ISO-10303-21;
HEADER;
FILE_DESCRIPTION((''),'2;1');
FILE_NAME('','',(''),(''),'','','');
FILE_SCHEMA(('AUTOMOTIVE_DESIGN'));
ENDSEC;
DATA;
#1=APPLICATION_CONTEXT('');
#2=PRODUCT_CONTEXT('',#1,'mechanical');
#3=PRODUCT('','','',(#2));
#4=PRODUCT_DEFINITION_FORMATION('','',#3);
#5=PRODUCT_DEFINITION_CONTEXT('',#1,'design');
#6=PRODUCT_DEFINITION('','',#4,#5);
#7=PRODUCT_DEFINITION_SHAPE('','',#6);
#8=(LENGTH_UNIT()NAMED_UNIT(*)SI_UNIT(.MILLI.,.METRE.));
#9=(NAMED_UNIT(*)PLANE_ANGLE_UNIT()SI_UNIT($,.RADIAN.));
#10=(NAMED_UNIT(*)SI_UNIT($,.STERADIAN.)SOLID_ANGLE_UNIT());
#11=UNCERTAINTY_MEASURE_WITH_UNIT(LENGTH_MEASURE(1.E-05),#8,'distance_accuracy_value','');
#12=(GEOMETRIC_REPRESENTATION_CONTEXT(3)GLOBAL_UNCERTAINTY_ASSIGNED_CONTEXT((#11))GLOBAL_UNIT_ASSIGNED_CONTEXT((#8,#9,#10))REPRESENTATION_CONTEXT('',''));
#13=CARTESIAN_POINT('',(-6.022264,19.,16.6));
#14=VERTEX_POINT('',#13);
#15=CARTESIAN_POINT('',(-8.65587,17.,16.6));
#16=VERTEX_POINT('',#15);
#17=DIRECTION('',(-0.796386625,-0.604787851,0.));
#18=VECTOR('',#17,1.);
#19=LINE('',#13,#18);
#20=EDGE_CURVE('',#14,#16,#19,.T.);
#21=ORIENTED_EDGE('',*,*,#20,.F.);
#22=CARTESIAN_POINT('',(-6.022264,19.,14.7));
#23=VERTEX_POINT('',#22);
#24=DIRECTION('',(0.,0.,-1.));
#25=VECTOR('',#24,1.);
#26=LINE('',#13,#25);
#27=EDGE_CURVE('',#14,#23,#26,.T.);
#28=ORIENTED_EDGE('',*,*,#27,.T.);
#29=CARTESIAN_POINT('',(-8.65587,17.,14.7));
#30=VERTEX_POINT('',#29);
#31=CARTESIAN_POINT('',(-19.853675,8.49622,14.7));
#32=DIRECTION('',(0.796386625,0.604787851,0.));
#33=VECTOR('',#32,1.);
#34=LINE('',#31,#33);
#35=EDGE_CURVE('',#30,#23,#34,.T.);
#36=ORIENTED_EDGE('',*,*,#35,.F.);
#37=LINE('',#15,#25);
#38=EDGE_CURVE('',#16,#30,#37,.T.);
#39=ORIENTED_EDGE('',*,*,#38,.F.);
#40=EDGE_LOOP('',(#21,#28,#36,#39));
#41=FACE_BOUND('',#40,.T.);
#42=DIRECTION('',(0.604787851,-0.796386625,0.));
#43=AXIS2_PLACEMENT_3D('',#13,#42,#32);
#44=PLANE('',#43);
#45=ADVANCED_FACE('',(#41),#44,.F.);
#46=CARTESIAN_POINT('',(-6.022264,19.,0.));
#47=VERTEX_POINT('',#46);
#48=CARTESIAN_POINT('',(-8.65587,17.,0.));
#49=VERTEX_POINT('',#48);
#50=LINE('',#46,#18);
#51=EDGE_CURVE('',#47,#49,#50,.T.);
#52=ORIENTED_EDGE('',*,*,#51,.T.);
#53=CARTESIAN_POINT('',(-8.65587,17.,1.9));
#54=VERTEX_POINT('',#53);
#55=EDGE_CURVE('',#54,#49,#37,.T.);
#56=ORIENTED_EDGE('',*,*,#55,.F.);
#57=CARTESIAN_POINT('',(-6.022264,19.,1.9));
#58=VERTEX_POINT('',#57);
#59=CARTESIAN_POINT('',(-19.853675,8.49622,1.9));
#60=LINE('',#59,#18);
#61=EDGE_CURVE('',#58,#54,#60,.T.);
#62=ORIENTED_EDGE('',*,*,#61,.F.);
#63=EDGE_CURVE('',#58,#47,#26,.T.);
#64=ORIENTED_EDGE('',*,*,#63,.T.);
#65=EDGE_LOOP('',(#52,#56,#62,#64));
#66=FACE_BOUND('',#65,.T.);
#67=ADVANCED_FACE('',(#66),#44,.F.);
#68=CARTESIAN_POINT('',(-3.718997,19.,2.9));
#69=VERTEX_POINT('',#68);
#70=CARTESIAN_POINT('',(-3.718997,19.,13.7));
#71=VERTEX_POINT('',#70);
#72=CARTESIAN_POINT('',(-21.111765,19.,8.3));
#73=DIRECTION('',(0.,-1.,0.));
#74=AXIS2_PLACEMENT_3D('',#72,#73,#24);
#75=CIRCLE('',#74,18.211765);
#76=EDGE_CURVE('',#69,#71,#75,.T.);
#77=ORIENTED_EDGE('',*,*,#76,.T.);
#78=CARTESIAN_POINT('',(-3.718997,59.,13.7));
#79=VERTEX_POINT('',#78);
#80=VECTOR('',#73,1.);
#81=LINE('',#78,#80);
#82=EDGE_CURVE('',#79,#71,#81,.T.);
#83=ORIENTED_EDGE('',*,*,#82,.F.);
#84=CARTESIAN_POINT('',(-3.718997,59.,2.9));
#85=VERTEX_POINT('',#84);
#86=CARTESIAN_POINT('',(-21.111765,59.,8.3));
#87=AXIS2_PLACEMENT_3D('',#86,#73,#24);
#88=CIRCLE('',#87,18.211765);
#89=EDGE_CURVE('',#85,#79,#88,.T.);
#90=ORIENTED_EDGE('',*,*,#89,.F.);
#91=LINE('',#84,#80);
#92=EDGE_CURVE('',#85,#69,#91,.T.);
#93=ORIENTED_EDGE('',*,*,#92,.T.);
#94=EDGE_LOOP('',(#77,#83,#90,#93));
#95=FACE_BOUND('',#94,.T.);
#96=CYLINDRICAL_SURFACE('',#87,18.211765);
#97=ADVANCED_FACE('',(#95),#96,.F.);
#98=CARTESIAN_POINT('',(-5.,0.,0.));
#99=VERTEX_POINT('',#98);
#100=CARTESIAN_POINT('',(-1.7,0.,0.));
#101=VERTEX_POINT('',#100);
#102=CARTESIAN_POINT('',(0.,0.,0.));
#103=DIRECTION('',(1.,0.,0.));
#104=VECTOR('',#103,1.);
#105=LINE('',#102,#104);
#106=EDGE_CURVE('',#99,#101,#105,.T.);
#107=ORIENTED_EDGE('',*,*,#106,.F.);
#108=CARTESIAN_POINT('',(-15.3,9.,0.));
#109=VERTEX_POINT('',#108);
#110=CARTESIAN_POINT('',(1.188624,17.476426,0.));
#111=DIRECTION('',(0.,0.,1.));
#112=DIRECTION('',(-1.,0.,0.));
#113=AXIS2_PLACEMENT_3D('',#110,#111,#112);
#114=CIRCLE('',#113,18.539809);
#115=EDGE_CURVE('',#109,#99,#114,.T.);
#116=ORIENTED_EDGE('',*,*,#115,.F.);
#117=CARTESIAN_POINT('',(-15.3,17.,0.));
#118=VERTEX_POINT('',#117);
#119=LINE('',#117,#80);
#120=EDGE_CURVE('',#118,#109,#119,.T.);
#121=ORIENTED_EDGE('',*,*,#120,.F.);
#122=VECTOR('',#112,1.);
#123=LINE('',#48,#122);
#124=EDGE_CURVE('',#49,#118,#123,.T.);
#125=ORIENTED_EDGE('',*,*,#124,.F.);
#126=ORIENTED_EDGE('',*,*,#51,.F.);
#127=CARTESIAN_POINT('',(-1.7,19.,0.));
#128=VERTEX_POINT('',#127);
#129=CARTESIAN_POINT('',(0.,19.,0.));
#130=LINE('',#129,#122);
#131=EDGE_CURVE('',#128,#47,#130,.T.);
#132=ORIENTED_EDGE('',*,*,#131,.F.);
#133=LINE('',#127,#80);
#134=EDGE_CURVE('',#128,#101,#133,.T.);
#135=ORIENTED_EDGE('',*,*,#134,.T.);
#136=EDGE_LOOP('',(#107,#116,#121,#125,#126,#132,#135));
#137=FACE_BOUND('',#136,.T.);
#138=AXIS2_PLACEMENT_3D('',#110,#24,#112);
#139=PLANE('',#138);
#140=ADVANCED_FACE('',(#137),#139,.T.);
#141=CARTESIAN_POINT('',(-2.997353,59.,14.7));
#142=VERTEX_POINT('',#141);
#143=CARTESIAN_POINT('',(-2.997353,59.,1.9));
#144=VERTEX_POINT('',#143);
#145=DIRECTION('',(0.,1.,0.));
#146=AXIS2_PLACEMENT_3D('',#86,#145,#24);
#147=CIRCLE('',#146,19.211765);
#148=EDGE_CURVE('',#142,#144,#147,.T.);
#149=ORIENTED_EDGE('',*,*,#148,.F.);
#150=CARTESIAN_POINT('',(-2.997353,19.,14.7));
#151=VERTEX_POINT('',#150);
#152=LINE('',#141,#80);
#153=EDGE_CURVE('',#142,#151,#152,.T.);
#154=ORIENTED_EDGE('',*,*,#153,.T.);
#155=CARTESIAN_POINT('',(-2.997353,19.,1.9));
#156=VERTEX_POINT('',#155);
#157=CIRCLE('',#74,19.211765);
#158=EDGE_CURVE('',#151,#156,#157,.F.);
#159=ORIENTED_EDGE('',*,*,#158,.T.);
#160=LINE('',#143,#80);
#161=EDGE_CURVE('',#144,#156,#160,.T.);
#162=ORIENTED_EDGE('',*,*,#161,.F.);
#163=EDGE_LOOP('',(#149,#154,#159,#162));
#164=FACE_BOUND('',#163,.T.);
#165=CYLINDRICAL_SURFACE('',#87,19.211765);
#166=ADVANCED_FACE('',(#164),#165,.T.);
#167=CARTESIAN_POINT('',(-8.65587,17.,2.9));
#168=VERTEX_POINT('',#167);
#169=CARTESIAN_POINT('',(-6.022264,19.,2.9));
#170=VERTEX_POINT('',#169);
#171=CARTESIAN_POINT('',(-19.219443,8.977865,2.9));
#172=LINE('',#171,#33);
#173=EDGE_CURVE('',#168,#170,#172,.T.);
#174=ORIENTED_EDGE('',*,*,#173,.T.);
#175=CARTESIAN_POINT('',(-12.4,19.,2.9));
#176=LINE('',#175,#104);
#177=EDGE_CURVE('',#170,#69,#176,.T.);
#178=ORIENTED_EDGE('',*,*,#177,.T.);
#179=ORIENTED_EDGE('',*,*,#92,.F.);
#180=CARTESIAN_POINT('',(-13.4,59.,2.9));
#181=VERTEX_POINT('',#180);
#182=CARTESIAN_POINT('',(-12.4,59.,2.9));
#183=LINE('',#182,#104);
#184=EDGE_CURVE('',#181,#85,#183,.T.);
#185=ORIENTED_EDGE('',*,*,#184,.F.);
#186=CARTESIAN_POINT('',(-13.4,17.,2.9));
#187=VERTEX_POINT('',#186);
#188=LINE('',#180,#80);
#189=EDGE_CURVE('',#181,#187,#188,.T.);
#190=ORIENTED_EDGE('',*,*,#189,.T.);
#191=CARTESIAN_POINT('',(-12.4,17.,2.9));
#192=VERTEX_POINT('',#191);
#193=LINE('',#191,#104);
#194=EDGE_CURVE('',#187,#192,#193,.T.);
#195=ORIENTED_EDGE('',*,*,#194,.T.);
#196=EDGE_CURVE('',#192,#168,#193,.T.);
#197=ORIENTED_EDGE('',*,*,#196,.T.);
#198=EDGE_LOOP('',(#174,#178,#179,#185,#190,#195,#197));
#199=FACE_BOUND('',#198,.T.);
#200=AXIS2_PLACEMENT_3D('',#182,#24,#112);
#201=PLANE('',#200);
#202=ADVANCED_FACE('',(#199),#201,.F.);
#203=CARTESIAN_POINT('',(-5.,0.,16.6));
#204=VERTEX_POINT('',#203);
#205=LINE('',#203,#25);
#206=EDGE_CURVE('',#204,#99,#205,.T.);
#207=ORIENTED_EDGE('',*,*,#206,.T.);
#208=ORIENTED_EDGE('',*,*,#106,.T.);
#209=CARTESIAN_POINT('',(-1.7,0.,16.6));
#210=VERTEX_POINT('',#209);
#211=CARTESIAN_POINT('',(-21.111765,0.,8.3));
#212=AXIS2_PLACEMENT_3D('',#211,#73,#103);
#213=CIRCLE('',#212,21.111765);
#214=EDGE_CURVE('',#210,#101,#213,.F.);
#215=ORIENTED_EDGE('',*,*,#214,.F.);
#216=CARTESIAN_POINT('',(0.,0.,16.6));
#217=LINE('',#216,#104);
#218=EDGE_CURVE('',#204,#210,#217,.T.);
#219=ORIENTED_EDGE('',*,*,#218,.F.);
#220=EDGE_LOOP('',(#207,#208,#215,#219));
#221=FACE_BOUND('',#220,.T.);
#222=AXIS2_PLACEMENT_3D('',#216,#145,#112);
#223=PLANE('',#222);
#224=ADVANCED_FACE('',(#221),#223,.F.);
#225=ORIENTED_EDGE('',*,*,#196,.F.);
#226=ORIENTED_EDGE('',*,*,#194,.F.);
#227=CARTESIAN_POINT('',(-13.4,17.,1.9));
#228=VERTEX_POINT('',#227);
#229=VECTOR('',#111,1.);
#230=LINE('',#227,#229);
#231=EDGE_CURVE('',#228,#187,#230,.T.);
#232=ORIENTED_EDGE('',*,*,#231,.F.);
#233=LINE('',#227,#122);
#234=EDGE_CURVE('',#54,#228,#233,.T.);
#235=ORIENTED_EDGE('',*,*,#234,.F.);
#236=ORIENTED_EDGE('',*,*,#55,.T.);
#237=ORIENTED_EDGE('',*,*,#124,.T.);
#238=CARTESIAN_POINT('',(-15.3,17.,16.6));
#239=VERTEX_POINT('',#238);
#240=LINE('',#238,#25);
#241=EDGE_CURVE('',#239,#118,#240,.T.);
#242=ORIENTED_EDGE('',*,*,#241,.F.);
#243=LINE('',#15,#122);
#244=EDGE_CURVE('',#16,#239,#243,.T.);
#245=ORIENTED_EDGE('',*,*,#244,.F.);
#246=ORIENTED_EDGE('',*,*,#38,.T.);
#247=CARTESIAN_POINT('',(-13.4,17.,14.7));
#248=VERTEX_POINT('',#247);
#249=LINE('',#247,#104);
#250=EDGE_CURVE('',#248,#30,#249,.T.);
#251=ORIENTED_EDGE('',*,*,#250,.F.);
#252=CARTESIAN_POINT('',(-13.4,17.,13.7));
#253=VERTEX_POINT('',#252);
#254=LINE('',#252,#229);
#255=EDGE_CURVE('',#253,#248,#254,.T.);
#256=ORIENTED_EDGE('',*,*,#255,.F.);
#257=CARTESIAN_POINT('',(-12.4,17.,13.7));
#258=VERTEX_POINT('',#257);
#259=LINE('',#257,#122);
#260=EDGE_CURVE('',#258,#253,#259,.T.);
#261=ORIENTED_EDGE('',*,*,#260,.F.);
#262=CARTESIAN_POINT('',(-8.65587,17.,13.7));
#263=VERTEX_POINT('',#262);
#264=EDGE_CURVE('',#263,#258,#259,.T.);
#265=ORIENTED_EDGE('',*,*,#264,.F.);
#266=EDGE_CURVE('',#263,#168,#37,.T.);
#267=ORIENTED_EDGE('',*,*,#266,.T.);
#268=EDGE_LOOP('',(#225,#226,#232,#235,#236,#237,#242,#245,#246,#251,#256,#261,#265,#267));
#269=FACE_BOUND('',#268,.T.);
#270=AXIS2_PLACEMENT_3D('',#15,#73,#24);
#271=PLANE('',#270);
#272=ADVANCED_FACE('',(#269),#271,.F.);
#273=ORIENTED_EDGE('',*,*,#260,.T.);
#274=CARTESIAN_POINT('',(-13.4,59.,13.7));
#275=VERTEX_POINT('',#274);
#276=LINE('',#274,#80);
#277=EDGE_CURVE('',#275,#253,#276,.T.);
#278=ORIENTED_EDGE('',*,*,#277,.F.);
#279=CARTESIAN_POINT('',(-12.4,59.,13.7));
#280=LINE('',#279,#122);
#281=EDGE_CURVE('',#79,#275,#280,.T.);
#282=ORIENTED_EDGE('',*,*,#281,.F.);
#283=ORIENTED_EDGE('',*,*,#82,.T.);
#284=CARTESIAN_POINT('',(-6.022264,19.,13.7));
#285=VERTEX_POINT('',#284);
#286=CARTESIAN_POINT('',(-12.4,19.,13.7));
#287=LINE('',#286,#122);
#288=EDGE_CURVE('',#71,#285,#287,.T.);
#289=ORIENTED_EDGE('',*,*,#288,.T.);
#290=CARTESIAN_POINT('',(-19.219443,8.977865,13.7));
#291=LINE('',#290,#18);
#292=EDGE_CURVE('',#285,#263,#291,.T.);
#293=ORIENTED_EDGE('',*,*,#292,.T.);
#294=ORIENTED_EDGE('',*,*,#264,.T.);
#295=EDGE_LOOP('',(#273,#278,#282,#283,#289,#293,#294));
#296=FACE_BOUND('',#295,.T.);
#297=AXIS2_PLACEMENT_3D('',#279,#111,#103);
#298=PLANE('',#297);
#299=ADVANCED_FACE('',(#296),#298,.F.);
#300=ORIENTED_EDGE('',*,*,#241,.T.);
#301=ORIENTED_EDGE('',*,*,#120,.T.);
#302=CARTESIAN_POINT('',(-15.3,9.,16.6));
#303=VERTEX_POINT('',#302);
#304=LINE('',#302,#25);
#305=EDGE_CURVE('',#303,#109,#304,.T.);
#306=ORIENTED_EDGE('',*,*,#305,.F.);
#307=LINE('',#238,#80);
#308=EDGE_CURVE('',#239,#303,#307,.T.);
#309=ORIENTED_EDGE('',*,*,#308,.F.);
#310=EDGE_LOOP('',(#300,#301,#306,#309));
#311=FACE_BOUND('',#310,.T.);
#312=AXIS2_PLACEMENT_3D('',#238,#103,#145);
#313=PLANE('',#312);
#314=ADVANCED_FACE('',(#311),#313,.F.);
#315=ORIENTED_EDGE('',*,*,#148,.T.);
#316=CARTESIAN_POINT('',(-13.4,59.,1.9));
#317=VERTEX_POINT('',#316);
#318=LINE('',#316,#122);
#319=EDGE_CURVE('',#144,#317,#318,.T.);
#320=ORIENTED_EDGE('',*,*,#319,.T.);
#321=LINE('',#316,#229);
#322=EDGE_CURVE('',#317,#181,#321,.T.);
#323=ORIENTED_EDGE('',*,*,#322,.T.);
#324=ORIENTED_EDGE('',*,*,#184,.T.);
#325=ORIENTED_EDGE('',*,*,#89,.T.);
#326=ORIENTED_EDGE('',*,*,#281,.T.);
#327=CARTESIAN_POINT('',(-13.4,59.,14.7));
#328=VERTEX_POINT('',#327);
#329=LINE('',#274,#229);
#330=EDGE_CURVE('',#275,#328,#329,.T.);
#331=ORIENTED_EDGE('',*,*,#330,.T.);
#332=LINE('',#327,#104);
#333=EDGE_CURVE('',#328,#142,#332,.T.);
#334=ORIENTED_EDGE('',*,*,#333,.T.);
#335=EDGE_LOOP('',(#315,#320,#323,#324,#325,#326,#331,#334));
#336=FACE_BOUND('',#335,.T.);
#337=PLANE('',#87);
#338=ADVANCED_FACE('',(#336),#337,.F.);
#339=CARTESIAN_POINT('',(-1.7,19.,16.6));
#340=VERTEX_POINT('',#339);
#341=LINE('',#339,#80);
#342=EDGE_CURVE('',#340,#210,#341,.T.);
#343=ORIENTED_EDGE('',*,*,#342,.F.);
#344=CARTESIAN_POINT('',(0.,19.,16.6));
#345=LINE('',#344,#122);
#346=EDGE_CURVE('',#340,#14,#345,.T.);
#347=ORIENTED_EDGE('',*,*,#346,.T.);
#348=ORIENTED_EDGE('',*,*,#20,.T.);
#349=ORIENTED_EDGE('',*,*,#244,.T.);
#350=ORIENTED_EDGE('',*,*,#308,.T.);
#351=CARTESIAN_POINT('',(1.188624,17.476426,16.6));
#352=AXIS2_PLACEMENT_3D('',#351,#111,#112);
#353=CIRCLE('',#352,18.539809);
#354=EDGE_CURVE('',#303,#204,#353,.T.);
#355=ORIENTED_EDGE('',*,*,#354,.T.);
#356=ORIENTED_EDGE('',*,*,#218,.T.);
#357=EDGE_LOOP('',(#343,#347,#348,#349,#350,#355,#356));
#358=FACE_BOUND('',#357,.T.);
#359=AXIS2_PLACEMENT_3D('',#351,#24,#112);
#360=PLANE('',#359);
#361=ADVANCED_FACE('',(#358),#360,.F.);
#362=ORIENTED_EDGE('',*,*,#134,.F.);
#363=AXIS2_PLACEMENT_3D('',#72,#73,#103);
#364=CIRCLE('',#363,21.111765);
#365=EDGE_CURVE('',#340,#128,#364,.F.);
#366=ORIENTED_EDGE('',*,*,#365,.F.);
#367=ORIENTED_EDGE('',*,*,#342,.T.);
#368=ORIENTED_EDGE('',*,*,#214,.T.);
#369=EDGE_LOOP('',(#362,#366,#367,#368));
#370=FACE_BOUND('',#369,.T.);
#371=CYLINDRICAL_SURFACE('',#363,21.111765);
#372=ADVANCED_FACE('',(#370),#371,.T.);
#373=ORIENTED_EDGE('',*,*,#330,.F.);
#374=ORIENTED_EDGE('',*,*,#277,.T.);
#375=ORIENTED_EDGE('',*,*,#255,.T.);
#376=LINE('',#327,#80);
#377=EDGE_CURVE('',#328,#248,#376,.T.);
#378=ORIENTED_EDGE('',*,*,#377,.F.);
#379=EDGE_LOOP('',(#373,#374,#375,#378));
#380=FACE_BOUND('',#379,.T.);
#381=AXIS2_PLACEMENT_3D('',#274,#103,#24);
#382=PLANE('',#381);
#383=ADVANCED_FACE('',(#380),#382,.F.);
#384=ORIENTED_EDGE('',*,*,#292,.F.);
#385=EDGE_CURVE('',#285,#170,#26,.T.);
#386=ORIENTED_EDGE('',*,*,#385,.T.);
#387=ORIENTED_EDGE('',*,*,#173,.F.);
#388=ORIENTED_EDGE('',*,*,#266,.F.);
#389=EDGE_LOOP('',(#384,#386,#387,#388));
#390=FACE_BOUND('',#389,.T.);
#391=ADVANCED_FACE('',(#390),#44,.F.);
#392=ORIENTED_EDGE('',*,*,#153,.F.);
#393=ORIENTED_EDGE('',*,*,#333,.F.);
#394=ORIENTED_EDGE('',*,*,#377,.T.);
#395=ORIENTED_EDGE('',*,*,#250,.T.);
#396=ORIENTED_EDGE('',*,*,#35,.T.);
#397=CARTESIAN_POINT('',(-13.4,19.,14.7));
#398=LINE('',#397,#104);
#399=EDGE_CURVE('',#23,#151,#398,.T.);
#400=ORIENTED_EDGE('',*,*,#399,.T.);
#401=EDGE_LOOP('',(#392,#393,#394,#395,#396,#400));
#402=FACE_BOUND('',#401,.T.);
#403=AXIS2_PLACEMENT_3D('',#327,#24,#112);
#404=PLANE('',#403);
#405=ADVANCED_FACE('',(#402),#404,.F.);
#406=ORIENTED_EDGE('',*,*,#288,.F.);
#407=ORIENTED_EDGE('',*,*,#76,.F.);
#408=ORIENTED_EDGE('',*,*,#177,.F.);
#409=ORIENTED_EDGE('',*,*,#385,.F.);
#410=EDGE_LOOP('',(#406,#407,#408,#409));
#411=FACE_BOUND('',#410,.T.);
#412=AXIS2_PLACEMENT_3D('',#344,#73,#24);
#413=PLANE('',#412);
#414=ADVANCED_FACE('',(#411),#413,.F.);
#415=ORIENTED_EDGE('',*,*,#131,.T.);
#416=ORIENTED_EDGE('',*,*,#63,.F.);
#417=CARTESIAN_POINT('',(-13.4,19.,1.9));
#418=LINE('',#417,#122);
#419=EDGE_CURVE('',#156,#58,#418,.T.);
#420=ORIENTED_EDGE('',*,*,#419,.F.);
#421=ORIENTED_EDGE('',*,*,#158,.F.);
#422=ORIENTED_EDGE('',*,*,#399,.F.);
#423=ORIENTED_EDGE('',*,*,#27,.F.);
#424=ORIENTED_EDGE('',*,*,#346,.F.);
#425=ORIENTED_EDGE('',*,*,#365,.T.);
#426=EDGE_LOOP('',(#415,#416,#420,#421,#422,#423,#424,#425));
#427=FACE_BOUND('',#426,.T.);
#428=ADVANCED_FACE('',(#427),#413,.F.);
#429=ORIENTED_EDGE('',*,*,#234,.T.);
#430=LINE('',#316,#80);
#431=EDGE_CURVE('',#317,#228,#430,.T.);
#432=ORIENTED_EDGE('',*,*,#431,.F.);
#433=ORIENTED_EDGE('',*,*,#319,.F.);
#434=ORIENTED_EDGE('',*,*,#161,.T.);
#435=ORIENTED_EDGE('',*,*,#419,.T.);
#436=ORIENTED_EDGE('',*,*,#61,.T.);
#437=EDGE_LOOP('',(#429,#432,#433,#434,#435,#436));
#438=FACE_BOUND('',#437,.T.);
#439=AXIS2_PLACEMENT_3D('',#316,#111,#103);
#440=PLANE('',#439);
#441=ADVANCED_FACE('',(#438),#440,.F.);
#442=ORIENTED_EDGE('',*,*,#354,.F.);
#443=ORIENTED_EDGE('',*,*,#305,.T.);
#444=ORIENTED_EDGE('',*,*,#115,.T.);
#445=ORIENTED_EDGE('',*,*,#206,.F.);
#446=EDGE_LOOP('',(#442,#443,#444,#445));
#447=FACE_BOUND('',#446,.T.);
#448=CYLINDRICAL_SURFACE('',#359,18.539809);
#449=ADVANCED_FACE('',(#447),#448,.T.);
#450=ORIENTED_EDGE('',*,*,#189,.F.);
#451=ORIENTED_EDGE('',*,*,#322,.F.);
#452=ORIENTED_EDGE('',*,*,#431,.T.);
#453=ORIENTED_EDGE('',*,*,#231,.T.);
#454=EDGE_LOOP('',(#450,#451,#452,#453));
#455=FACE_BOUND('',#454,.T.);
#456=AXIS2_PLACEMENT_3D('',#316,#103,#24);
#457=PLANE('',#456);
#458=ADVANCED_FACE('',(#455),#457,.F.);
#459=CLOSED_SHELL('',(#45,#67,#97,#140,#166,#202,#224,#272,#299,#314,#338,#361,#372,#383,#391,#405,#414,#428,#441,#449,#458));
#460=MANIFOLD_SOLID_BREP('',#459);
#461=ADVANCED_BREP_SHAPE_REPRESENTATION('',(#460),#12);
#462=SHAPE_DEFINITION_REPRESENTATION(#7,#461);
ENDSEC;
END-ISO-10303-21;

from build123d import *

# Parameters (mm, degrees)
BOSS_EXTRUDE1_DEPTH      = 16.6
CUT_EXTRUDE1_DEPTH       = 20
BOSS_EXTRUDE2_DEPTH      = 30
BOSS_EXTRUDE2_DEPTH_BACK = 16.6


with BuildPart() as part:
    # Sketch1 → Boss-Extrude1 (new body)
    with BuildSketch(Plane.XY):
        with BuildLine():
            Line((0, 0), (-5, 0))
            ThreePointArc((-5, 0), (-11.010326512, 3.515404103), (-15.3, 9))
            Line((-15.3, 9), (-15.3, 17))
            Line((-15.3, 17), (-8.655870189, 17))
            Line((-8.655870189, 17), (-6.022263631, 19))
            Line((-6.022263631, 19), (0, 19))
            Line((0, 19), (0, 0))
        make_face()
    extrude(amount=BOSS_EXTRUDE1_DEPTH)

    # Sketch2 → Cut-Extrude1 (cut, through all)
    with BuildSketch(Plane.XZ):
        with BuildLine():
            Line((0, 16.6), (-1.7, 16.6))
            ThreePointArc((-1.7, 16.6), (-0.429366175, 12.536153916), (0, 8.3))
            Line((0, 8.3), (0, 16.6))
        make_face()
        with BuildLine():
            Line((0, 0), (0, 8.3))
            ThreePointArc((0, 8.3), (-0.429366175, 4.063846084), (-1.7, 0))
            Line((-1.7, 0), (0, 0))
        make_face()
    extrude(amount=-CUT_EXTRUDE1_DEPTH, mode=Mode.SUBTRACT)

    # Sketch3 → Boss-Extrude2 (add, two sides)
    with BuildSketch(Plane(origin=(0, 29, 0), x_dir=(1, 0, 0), z_dir=(0, 1, 0))) as boss_extrude2_sk:
        with BuildLine():
            Line((-13.4, -1.9), (-2.99735323, -1.9))
            ThreePointArc((-2.99735323, -1.9), (-1.9, -8.3), (-2.99735323, -14.7))
            Line((-2.99735323, -14.7), (-13.4, -14.7))
            Line((-13.4, -14.7), (-13.4, -13.7))
            Line((-13.4, -13.7), (-12.4, -13.7))
            Line((-12.4, -13.7), (-3.71899685, -13.7))
            ThreePointArc((-3.71899685, -13.7), (-2.9, -8.3), (-3.71899685, -2.9))
            Line((-3.71899685, -2.9), (-12.4, -2.9))
            Line((-12.4, -2.9), (-13.4, -2.9))
            Line((-13.4, -2.9), (-13.4, -1.9))
        make_face()
    extrude(amount=BOSS_EXTRUDE2_DEPTH)
    extrude(boss_extrude2_sk.sketch, amount=-BOSS_EXTRUDE2_DEPTH_BACK)


solid = part.part
